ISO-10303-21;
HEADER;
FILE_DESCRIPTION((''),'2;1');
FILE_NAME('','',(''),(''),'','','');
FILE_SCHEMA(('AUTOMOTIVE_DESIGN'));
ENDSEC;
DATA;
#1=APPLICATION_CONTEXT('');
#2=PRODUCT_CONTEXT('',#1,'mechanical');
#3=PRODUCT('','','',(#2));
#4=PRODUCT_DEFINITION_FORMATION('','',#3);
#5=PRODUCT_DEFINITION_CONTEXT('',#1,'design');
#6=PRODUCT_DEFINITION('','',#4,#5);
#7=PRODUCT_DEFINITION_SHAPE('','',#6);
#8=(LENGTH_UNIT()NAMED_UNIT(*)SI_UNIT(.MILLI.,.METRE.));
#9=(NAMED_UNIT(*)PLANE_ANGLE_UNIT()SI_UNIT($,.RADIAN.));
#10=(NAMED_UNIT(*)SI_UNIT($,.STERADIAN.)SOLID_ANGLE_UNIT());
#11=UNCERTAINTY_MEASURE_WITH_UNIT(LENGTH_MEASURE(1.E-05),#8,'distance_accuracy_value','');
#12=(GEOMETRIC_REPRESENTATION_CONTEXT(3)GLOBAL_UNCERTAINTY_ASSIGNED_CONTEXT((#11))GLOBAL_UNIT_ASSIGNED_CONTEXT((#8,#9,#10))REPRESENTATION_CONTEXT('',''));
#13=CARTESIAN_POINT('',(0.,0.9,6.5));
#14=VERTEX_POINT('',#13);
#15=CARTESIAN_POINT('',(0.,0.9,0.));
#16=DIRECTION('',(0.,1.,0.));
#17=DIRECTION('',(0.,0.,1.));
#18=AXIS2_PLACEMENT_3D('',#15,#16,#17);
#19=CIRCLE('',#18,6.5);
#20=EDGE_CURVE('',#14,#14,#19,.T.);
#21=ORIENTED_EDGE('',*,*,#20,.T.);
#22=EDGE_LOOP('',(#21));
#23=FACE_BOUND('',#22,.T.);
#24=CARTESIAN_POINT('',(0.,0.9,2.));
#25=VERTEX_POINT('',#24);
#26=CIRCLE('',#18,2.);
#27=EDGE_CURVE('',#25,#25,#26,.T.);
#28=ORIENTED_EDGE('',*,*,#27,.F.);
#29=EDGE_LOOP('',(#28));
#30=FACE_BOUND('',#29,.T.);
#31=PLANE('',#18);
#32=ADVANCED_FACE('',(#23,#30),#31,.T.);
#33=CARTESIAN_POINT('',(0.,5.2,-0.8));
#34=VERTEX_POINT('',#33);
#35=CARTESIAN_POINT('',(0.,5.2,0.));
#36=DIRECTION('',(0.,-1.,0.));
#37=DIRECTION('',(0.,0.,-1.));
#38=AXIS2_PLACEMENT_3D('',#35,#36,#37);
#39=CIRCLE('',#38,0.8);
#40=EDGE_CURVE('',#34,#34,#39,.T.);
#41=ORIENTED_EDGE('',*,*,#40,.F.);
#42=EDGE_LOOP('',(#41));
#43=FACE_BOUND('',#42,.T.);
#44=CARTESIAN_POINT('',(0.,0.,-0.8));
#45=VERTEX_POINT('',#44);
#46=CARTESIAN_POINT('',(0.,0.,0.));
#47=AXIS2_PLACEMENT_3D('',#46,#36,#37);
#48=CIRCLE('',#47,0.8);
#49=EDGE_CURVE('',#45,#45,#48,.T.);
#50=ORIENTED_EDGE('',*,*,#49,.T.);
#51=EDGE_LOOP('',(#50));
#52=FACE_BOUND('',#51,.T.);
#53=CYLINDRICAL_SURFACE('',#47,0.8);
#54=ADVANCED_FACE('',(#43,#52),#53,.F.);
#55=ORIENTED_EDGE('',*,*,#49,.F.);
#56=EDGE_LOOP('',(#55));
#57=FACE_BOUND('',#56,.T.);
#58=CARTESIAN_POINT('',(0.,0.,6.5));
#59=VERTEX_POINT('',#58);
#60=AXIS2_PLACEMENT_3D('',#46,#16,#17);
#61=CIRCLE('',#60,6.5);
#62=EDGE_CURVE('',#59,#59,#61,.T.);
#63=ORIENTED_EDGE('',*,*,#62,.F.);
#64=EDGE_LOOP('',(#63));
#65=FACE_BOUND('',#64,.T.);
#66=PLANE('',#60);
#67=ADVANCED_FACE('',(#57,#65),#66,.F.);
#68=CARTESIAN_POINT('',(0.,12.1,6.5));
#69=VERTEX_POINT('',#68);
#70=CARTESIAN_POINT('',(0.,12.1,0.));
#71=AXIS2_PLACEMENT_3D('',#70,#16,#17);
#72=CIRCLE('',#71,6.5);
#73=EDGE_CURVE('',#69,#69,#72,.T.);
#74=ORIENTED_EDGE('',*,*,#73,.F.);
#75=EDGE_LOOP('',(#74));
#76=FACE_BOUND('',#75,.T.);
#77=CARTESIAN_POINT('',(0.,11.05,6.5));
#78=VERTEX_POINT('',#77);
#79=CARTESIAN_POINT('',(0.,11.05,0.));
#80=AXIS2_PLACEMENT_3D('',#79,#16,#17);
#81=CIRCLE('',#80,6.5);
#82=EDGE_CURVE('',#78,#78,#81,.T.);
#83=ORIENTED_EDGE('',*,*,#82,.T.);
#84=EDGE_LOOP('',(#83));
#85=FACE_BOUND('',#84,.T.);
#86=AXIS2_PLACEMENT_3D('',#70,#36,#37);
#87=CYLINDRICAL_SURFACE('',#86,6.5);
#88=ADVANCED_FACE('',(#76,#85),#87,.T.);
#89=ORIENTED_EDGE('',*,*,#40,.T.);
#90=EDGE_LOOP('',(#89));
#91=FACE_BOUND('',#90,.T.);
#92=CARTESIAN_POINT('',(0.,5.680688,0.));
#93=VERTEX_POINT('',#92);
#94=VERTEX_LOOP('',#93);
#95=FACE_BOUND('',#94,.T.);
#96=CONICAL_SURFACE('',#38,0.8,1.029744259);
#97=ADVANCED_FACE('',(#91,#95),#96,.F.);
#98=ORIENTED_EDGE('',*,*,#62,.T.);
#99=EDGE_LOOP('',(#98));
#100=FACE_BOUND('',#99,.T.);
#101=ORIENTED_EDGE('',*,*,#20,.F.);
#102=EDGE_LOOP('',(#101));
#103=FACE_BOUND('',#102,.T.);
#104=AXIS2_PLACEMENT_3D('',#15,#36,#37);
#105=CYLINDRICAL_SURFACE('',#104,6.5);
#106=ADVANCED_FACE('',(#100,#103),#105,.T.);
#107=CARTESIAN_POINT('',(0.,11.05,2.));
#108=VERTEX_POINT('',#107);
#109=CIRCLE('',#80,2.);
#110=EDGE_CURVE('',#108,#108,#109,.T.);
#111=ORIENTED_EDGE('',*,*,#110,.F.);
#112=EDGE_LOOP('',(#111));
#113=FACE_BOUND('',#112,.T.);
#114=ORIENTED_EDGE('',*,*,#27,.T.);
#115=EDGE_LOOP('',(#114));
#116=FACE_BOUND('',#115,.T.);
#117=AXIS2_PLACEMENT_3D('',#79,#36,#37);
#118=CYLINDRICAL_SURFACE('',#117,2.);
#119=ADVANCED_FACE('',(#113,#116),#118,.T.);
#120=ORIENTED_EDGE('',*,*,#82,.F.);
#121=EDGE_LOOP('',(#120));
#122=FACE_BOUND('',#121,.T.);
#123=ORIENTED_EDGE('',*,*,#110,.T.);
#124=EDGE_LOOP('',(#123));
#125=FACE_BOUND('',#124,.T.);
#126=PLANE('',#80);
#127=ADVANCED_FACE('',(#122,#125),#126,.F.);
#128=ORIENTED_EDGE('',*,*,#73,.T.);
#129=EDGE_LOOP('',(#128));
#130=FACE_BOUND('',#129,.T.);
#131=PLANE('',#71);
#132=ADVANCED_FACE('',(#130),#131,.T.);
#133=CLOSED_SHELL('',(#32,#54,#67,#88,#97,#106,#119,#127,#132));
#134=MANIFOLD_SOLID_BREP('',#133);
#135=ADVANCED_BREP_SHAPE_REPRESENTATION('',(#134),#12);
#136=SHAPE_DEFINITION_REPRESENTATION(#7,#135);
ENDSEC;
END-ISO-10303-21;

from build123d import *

# Parameters (mm, degrees)
SKETCH_1_R      = 6.5
EXTRUDE_1_DEPTH = 0.9
SKETCH_2_R      = 2
EXTRUDE_2_DEPTH = 10.15
SKETCH_3_R      = 6.5
EXTRUDE_3_DEPTH = 1.05
M2X0_4_1_D      = 1.6
M2X0_4_1_DEPTH  = 5.2
M2X0_4_1_TIP    = 0.480688495


with BuildPart() as part:
    # 草图1 → 凸台-拉伸1 (new body)
    with BuildSketch(Plane(origin=(0, 0, 0), x_dir=(1, 0, 0), z_dir=(0, 1, 0))):
        with Locations(Location((0, 0, 0), (0, 0, 270))):
            Circle(SKETCH_1_R)
    extrude(amount=EXTRUDE_1_DEPTH)

    # 草图2 → 凸台-拉伸2 (add)
    with BuildSketch(Plane(origin=(0, 0.9, 0), x_dir=(1, 0, 0), z_dir=(0, 1, 0))):
        with Locations(Location((0, 0, 0), (0, 0, 270))):
            Circle(SKETCH_2_R)
    extrude(amount=EXTRUDE_2_DEPTH)

    # 草图3 → 凸台-拉伸3 (add)
    with BuildSketch(Plane(origin=(0, 11.05, 0), x_dir=(1, 0, 0), z_dir=(0, 1, 0))):
        with Locations(Location((0, 0, 0), (0, 0, 270))):
            Circle(SKETCH_3_R)
    extrude(amount=EXTRUDE_3_DEPTH)

    # M2x0.4 螺纹孔1
    with Locations(Plane(origin=(0, 0, 0), x_dir=(0, 0, -1), z_dir=(0, -1, 0))):
        with Locations((0, 0)):
            Hole(M2X0_4_1_D / 2, depth=M2X0_4_1_DEPTH)
            with Locations((0, 0, -(M2X0_4_1_DEPTH + M2X0_4_1_TIP / 2))):  # 118° drill point
                Cone(0, M2X0_4_1_D / 2, M2X0_4_1_TIP, mode=Mode.SUBTRACT)


solid = part.part
